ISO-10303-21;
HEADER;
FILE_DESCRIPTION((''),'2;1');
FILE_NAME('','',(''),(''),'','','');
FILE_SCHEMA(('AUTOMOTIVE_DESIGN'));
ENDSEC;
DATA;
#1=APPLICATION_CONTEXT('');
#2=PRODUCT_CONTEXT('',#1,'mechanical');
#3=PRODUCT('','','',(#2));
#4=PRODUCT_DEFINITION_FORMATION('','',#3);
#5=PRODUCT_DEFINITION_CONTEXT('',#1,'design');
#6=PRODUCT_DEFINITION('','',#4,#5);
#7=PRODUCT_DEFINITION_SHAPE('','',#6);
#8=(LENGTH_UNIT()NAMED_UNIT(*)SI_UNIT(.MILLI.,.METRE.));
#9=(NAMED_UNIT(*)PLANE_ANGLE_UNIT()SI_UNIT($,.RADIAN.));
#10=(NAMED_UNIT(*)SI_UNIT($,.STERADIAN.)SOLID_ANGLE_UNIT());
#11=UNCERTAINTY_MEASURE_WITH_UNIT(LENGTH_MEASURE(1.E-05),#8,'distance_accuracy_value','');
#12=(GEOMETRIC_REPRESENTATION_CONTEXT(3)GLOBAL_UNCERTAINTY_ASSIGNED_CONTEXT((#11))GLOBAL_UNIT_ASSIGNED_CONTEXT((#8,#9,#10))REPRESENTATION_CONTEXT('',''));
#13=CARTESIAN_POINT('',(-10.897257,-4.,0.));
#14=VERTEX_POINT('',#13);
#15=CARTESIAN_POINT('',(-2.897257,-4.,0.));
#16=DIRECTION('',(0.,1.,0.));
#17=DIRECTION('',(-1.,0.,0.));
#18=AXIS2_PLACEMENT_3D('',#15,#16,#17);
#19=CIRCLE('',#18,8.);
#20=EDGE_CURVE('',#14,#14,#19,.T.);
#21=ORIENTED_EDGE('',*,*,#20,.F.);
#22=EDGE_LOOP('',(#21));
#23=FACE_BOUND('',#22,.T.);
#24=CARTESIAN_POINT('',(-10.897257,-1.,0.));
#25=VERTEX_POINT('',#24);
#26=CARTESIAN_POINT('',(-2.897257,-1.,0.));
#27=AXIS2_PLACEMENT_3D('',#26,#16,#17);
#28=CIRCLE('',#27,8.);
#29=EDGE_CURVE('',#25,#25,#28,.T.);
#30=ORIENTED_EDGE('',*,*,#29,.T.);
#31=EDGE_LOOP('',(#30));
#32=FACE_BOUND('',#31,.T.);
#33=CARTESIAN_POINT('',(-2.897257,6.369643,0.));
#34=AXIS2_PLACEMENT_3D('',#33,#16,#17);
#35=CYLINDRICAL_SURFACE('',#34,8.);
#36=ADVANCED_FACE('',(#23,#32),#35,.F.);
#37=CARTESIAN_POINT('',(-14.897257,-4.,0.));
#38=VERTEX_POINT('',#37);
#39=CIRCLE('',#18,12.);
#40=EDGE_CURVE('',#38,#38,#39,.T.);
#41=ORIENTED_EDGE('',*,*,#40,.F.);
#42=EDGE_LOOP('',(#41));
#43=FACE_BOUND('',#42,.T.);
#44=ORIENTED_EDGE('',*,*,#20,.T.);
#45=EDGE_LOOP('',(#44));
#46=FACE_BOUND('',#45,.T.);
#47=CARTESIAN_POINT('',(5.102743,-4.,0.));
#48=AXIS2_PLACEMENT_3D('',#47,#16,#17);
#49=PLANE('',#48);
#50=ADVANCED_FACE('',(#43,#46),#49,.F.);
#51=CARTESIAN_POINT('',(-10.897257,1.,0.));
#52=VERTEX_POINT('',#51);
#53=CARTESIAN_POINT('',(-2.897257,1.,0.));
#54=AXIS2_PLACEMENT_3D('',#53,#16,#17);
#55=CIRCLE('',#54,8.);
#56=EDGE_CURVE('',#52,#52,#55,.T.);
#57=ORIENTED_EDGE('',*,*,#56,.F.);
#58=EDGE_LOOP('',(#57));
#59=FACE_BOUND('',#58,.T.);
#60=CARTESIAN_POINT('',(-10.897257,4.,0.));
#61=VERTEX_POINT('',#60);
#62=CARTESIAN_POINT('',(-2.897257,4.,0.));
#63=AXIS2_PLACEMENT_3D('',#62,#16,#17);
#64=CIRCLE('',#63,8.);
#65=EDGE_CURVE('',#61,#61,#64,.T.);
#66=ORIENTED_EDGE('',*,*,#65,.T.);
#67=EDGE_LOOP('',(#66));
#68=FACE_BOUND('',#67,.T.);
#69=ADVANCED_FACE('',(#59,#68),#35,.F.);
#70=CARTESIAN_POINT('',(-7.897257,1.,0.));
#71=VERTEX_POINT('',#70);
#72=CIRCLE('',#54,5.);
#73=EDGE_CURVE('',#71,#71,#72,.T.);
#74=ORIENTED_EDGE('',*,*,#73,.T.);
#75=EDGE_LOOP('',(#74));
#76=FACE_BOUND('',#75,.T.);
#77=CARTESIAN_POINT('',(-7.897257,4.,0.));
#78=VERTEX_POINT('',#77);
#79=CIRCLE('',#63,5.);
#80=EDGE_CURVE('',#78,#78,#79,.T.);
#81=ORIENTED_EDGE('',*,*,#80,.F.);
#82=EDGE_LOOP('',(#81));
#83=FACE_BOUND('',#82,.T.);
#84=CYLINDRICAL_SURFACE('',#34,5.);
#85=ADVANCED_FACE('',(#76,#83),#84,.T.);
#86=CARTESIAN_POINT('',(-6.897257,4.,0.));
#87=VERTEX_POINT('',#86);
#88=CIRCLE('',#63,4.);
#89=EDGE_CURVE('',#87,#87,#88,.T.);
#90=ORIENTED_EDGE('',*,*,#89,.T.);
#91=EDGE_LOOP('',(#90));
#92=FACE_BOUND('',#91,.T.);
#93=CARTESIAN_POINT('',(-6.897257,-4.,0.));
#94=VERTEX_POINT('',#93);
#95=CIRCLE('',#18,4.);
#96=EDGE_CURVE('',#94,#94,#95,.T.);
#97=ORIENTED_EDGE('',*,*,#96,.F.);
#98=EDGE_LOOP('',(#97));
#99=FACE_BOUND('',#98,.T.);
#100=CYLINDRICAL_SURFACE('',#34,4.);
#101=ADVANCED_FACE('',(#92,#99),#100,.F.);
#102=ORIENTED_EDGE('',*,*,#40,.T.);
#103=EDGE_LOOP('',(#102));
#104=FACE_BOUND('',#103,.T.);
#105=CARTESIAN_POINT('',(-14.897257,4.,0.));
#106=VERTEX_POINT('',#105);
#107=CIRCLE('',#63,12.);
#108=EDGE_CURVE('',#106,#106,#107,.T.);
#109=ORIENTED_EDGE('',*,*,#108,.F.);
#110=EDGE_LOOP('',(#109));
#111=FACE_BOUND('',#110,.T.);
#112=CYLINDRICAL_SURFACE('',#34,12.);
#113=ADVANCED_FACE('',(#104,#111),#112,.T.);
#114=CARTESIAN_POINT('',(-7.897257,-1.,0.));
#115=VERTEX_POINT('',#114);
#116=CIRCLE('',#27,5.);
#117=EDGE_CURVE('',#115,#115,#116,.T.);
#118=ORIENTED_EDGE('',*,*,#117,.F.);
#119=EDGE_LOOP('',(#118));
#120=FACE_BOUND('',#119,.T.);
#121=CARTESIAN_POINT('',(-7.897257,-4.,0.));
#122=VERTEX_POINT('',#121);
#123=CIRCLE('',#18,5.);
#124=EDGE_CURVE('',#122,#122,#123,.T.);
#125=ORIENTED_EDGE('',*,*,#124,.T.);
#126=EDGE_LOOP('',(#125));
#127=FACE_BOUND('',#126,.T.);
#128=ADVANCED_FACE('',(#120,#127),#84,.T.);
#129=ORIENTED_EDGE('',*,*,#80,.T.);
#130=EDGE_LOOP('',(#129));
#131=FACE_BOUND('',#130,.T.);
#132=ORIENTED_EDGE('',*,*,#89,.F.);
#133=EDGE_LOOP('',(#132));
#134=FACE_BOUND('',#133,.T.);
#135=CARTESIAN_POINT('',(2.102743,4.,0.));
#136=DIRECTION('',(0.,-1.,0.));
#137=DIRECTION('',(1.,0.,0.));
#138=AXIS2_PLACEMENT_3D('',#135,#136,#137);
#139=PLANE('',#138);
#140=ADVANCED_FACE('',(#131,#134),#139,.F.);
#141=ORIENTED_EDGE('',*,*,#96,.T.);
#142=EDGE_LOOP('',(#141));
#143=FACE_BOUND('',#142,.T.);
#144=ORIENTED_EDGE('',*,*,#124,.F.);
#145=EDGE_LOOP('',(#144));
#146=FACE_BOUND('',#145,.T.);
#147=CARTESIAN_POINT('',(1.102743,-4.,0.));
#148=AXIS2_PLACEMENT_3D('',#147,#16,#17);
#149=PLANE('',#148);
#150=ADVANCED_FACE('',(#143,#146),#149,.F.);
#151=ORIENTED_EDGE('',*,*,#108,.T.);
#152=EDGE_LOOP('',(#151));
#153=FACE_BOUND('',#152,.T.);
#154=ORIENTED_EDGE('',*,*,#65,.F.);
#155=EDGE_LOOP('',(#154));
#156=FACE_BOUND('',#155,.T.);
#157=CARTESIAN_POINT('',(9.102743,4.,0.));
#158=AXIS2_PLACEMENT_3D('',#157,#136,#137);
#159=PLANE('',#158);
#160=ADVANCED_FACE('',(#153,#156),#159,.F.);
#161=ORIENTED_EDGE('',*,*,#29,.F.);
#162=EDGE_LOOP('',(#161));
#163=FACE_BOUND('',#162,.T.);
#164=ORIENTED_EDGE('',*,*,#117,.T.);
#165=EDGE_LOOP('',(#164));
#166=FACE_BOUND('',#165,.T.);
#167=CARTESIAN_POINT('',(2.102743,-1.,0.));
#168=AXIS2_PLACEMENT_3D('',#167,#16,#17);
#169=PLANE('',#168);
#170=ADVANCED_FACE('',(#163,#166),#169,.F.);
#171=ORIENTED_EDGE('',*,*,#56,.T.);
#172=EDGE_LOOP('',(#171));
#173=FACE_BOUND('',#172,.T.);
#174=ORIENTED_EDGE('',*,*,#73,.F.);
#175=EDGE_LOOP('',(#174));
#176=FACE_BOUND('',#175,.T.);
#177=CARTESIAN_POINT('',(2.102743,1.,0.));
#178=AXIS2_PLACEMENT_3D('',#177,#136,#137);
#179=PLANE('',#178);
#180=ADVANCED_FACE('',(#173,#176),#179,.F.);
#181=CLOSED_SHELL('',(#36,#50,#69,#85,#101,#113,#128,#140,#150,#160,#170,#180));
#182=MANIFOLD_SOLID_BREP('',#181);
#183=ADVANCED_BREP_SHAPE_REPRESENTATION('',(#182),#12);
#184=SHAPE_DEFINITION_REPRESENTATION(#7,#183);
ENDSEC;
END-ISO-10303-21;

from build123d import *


with BuildPart() as part:
    # Sketch1 → Revolve1 (revolve)
    with BuildSketch(Plane.XY, mode=Mode.PRIVATE) as revolve1_sk:
        Polygon((1.102742578, -4), (2.102742578, -4), (2.102742578, -1), (5.102742578, -1), (5.102742578, -4), (9.102742578, -4), (9.102742578, 4), (5.102742578, 4), (5.102742578, 1), (2.102742578, 1), (2.102742578, 4), (1.102742578, 4), align=None)
    revolve(revolve1_sk.sketch.rotate(Axis((-2.897257422, 6.36964268, 0), (0, -1, 0)), 180), axis=Axis((-2.897257422, 6.36964268, 0), (0, -1, 0)))


solid = part.part
